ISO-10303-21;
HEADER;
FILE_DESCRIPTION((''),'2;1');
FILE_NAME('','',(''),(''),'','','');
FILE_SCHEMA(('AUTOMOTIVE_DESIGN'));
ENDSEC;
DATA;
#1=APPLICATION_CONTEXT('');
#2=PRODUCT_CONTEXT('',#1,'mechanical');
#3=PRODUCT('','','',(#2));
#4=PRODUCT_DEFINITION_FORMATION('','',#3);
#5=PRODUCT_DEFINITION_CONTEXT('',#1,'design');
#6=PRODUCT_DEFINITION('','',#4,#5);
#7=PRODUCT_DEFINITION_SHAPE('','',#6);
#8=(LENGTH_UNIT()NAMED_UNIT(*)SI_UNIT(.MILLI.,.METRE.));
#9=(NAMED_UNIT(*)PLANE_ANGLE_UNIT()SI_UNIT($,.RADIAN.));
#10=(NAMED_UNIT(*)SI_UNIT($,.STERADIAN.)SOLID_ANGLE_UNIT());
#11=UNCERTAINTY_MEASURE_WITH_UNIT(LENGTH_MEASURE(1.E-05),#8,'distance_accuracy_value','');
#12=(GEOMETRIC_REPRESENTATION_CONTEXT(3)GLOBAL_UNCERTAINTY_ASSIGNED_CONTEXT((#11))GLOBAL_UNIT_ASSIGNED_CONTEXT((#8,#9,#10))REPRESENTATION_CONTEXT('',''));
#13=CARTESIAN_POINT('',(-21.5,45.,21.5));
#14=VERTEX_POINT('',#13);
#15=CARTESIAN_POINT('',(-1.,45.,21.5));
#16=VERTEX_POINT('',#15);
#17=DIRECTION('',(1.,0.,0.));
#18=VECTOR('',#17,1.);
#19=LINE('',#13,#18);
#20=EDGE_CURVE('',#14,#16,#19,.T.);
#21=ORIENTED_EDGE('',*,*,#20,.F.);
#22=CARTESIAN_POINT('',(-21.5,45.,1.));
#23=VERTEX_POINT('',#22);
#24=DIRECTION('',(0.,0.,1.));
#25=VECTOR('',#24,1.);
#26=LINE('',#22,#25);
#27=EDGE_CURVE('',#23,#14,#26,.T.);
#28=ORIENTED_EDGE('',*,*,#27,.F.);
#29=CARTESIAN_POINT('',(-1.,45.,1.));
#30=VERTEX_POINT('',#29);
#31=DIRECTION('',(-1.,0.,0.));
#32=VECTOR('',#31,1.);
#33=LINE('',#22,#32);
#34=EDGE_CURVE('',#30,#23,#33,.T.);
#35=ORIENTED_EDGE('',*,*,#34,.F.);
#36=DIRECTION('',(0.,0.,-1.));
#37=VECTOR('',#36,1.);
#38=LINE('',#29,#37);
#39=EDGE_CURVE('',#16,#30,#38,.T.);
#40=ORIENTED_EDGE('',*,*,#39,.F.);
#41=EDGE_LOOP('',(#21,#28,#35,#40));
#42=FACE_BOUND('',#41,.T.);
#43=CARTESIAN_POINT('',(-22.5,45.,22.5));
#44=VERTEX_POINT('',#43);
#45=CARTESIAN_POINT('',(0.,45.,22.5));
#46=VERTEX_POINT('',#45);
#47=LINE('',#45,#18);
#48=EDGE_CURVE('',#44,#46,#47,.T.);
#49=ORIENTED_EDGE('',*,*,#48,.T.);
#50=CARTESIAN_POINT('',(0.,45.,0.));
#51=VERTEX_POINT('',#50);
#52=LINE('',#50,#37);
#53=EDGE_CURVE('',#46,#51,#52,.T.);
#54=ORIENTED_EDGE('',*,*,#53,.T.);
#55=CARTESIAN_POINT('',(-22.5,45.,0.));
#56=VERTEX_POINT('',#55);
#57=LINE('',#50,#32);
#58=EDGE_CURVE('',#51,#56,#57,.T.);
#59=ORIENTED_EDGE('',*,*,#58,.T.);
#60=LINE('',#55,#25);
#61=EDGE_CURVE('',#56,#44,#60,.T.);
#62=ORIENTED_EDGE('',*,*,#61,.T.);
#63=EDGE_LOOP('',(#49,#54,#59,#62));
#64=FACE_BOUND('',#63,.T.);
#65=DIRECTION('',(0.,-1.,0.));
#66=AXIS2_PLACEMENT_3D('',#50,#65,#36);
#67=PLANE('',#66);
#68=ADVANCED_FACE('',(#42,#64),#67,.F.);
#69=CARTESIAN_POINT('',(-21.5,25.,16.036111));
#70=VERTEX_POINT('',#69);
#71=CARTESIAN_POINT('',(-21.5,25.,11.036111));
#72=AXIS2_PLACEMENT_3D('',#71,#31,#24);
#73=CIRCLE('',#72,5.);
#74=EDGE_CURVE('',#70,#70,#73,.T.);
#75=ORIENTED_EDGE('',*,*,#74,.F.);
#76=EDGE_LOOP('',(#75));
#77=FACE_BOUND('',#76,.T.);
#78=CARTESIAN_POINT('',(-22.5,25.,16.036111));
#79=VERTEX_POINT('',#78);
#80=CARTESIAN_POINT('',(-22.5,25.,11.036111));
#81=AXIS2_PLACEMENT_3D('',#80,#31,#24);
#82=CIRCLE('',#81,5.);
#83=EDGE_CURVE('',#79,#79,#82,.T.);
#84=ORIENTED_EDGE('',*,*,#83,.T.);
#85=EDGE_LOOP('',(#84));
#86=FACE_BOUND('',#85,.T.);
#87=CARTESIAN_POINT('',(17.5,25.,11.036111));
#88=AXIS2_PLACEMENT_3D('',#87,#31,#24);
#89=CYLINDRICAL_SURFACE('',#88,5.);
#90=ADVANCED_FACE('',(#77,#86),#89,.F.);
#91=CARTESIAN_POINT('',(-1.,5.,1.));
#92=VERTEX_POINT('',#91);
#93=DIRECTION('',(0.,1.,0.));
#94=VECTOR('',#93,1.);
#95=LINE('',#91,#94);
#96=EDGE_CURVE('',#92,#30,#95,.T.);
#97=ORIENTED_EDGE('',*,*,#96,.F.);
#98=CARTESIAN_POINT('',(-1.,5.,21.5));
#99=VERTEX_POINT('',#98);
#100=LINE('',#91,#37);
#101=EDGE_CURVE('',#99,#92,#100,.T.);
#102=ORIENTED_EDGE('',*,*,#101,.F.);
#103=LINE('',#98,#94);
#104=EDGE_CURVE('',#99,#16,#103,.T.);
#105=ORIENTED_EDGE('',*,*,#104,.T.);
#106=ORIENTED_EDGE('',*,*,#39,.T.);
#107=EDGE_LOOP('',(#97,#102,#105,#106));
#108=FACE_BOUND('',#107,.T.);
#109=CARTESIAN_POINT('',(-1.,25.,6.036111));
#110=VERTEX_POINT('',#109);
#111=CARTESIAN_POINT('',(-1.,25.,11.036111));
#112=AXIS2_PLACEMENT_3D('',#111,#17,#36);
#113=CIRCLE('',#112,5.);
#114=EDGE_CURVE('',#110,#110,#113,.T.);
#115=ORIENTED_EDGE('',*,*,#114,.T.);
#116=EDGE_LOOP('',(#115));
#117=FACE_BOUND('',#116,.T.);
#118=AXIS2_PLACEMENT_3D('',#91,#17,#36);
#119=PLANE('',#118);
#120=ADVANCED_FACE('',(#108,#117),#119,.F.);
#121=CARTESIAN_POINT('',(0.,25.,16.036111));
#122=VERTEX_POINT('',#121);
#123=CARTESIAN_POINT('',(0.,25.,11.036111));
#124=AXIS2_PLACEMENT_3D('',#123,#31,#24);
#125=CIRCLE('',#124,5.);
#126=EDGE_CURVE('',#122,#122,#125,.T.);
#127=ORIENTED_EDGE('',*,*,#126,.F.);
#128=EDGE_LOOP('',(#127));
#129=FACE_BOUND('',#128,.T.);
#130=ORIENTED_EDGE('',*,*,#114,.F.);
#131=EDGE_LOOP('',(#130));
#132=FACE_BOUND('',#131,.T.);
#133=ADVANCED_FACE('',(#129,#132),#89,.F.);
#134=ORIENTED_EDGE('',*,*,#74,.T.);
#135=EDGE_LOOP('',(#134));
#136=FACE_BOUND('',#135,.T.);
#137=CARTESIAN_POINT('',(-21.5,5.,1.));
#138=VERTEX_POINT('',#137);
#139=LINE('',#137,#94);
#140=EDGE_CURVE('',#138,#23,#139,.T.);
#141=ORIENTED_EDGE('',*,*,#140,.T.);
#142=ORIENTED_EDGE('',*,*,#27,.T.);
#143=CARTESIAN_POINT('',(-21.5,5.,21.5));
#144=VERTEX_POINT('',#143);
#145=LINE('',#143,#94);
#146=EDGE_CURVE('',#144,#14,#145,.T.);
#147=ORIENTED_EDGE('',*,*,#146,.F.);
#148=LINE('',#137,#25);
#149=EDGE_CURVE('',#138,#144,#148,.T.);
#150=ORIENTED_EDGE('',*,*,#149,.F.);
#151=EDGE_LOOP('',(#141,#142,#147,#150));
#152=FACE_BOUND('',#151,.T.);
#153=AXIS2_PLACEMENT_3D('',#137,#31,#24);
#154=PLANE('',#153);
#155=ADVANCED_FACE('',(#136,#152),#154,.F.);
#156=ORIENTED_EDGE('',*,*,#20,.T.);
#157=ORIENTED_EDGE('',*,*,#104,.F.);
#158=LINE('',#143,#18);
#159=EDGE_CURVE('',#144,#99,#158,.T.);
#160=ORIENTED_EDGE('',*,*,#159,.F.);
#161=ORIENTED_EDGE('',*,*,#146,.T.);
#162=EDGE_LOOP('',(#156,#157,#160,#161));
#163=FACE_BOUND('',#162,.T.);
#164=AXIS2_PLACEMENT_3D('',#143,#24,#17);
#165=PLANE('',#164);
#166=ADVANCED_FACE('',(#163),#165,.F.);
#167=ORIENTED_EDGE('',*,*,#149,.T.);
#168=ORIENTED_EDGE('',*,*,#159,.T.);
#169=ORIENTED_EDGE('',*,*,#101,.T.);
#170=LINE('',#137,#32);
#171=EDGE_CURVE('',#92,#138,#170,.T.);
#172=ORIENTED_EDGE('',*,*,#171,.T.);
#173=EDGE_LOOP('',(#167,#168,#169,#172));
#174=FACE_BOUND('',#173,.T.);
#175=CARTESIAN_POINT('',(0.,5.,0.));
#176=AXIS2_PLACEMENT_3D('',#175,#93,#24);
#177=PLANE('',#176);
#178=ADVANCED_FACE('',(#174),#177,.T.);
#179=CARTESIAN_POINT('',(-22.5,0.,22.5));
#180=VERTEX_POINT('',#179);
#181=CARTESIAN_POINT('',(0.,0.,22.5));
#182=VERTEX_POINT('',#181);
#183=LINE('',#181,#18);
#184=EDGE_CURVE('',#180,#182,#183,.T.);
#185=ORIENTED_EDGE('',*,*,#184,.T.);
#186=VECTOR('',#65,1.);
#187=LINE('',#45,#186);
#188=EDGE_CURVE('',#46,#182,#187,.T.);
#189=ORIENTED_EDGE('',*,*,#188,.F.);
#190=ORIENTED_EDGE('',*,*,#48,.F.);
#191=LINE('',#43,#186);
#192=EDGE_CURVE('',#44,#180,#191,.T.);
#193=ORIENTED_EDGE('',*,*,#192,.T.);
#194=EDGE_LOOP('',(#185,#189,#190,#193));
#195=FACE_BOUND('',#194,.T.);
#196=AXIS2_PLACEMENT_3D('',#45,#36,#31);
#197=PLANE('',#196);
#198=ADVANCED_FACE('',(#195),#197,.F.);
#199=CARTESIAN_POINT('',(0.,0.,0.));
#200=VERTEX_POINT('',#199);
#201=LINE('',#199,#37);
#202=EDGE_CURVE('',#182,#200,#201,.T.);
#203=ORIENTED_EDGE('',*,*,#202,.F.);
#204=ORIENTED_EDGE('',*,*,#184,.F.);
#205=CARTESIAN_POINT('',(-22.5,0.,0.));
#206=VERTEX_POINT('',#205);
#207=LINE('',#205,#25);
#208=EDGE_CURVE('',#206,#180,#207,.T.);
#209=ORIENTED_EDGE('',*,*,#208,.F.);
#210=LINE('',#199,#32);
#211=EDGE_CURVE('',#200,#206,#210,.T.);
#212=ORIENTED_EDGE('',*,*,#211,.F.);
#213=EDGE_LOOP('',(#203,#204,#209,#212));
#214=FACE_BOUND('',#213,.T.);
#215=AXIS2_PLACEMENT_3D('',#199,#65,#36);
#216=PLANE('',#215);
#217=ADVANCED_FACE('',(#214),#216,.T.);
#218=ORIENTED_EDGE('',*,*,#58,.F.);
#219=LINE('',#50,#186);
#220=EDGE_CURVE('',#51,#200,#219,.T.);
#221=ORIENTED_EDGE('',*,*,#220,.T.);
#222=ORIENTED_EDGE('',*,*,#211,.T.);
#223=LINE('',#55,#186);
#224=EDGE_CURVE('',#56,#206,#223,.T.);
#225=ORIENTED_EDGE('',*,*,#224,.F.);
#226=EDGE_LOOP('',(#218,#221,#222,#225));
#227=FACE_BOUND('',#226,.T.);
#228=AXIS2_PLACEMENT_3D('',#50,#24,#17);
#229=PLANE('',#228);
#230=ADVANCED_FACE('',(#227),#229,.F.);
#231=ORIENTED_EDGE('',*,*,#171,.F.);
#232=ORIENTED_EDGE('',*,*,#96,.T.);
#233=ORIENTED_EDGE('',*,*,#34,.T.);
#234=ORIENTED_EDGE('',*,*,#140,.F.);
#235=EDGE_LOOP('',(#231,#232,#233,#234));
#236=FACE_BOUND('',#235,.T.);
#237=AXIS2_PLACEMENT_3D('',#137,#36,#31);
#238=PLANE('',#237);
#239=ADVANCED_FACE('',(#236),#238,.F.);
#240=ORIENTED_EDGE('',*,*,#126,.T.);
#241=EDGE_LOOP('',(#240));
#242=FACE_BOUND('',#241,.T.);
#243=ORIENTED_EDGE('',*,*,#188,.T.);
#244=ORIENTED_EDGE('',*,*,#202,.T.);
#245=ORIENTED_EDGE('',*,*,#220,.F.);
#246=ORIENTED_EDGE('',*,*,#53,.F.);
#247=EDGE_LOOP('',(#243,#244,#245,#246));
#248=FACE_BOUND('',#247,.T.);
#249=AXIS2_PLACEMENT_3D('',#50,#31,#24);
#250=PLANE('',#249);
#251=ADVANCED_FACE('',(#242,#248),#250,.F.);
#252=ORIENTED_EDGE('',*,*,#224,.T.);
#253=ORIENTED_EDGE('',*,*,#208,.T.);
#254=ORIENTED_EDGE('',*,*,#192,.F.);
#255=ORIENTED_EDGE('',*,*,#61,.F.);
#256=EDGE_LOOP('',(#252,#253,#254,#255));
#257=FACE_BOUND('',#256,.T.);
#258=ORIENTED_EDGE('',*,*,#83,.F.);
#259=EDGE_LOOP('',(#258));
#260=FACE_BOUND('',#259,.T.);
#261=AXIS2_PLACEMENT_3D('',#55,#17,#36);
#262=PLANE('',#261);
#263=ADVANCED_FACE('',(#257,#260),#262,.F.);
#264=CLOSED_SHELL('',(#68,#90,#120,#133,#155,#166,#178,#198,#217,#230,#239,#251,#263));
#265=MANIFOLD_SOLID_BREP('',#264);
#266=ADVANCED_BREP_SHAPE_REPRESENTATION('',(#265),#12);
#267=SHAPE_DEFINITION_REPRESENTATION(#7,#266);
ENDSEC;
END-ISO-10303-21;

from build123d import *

# Parameters (mm, degrees)
SKETCH_1_W          = 22.5
SKETCH_1_H          = 22.5
EXTRUDE_1_DEPTH     = 45
SKETCH_2_W          = 20.5
SKETCH_2_H          = 20.5
CUT_EXTRUDE_1_DEPTH = 40
SKETCH_3_R          = 5
CUT_EXTRUDE_2_DEPTH = 40


with BuildPart() as part:
    # 草图1 → 凸台-拉伸1 (new body)
    with BuildSketch(Plane(origin=(0, 0, 0), x_dir=(1, 0, 0), z_dir=(0, 1, 0))):
        with Locations((-11.25, -11.25)):
            Rectangle(SKETCH_1_W, SKETCH_1_H)
    extrude(amount=EXTRUDE_1_DEPTH)

    # 草图2 → 切除-拉伸1 (cut)
    with BuildSketch(Plane(origin=(0, 45, 0), x_dir=(1, 0, 0), z_dir=(0, 1, 0))):
        with Locations((-11.25, -11.25)):
            Rectangle(SKETCH_2_W, SKETCH_2_H)
    extrude(amount=-CUT_EXTRUDE_1_DEPTH, mode=Mode.SUBTRACT)

    # 草图3 → 切除-拉伸2 (cut)
    with BuildSketch(Plane.ZY.offset(22.5)):
        with Locations((11.036111031, 25)):
            Circle(SKETCH_3_R)
    extrude(amount=-CUT_EXTRUDE_2_DEPTH, mode=Mode.SUBTRACT)


solid = part.part
